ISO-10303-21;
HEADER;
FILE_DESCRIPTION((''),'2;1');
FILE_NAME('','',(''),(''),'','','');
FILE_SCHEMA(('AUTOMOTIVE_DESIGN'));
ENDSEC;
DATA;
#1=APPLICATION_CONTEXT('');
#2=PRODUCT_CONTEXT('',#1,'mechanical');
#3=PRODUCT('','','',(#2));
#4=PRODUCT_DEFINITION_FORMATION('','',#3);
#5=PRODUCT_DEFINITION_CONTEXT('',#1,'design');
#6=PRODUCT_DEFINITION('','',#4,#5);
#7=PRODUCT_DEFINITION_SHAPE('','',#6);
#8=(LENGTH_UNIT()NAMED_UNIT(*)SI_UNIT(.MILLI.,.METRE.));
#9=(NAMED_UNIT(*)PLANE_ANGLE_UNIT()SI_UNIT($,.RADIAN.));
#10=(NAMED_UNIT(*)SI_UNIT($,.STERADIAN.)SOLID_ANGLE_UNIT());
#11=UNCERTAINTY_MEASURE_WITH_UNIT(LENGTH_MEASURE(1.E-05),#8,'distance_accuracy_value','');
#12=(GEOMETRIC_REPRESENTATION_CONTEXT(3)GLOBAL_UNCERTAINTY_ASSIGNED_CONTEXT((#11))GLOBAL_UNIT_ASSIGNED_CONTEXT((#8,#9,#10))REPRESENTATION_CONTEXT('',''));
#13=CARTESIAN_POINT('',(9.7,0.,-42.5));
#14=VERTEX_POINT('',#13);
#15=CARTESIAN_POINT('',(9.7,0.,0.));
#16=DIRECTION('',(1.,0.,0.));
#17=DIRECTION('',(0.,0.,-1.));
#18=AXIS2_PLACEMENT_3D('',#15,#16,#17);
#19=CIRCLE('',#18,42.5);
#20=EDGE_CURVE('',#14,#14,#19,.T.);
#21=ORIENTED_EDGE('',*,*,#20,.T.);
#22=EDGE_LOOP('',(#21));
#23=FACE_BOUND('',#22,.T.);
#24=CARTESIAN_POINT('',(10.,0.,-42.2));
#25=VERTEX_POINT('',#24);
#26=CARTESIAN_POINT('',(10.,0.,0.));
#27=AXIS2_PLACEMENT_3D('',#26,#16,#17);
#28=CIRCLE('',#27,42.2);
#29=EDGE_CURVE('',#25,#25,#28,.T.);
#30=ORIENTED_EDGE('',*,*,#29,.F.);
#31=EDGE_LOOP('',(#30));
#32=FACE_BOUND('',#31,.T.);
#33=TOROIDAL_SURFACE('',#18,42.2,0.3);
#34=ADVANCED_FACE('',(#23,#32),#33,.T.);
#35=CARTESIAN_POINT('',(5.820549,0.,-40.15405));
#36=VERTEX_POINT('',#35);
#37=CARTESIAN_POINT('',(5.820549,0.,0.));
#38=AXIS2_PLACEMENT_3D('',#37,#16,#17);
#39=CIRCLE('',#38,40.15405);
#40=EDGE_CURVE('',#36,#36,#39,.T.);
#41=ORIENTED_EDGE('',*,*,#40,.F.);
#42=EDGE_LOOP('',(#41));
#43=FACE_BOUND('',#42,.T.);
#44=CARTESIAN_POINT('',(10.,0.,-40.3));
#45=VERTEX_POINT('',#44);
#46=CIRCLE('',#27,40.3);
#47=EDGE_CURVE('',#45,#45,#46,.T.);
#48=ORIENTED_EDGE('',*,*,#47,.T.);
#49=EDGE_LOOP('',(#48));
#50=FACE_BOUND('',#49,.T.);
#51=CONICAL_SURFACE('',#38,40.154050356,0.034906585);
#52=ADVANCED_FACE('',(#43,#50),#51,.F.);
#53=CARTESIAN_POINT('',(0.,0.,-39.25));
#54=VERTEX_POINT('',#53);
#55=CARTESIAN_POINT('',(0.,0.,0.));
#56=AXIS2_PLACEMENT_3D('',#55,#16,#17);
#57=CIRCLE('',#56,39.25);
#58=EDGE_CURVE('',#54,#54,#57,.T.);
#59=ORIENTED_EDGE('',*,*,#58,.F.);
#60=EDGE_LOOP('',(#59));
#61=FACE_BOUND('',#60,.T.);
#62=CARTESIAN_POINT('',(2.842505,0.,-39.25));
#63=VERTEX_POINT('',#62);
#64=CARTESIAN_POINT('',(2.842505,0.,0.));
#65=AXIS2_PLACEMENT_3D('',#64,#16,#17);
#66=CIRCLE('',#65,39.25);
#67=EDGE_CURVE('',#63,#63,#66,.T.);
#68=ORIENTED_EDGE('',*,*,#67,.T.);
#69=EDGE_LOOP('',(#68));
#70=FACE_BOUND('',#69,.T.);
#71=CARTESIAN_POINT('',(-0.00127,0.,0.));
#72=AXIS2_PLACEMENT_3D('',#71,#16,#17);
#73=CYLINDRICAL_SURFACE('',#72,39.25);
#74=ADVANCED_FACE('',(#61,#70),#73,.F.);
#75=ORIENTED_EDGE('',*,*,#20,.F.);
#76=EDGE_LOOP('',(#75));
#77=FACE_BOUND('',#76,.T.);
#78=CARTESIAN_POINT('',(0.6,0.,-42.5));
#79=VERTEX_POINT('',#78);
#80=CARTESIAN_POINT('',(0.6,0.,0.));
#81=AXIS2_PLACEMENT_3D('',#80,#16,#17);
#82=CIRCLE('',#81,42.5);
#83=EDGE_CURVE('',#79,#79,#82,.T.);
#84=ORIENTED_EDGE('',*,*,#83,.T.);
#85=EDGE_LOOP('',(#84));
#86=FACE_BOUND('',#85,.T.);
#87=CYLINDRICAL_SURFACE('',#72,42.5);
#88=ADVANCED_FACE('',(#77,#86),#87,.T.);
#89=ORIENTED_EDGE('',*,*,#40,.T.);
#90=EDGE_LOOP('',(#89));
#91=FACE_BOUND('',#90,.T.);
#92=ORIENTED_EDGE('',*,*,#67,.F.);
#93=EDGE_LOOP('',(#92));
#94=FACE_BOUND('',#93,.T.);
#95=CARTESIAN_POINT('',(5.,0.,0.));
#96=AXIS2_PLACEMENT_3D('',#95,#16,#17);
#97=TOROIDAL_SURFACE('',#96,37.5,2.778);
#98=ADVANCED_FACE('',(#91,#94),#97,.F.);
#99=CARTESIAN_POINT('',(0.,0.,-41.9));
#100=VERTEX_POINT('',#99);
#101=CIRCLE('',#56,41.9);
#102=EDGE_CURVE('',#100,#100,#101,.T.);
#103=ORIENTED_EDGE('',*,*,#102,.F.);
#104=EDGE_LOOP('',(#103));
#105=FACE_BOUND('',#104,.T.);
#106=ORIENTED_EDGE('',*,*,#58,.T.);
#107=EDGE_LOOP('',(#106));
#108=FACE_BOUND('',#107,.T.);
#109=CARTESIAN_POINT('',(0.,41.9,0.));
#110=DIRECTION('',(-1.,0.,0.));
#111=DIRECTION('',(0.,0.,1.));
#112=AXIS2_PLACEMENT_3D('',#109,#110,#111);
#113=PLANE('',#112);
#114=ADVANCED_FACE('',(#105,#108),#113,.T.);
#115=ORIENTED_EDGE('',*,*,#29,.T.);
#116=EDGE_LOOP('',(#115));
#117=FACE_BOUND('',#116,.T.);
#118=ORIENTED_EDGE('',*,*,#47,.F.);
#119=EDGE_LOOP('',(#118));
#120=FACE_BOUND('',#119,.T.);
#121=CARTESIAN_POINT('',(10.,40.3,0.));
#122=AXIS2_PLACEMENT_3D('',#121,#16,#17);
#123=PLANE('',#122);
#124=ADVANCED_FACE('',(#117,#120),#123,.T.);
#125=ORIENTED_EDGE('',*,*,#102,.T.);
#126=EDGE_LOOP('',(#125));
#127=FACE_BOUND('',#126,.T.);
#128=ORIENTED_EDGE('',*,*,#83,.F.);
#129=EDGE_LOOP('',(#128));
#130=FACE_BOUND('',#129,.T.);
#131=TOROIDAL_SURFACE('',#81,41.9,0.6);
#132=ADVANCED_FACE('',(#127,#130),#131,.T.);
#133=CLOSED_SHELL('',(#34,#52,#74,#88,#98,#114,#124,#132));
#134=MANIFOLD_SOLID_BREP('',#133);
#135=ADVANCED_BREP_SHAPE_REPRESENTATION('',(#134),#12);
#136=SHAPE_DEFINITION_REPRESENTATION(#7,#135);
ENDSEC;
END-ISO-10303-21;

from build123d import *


with BuildPart() as part:
    # 草图1 → 旋转1 (revolve)
    with BuildSketch(Plane.XY, mode=Mode.PRIVATE) as revolve_1_sk:
        with BuildLine():
            Line((9.7, 42.5), (0.6, 42.5))
            ThreePointArc((0.6, 42.5), (0.175735931, 42.324264069), (0, 41.9))
            Line((0, 41.9), (0, 39.25))
            Line((0, 39.25), (2.842505156, 39.25))
            ThreePointArc((2.842505156, 39.25), (4.193041023, 40.158213914), (5.820549028, 40.154050356))
            Line((5.820549028, 40.154050356), (10, 40.3))
            Line((10, 40.3), (10, 42.2))
            ThreePointArc((10, 42.2), (9.912132034, 42.412132034), (9.7, 42.5))
        make_face()
    revolve(revolve_1_sk.sketch.rotate(Axis((-0.001270488, 0, 0), (1, 0, 0)), 270), axis=Axis((-0.001270488, 0, 0), (1, 0, 0)))


solid = part.part
